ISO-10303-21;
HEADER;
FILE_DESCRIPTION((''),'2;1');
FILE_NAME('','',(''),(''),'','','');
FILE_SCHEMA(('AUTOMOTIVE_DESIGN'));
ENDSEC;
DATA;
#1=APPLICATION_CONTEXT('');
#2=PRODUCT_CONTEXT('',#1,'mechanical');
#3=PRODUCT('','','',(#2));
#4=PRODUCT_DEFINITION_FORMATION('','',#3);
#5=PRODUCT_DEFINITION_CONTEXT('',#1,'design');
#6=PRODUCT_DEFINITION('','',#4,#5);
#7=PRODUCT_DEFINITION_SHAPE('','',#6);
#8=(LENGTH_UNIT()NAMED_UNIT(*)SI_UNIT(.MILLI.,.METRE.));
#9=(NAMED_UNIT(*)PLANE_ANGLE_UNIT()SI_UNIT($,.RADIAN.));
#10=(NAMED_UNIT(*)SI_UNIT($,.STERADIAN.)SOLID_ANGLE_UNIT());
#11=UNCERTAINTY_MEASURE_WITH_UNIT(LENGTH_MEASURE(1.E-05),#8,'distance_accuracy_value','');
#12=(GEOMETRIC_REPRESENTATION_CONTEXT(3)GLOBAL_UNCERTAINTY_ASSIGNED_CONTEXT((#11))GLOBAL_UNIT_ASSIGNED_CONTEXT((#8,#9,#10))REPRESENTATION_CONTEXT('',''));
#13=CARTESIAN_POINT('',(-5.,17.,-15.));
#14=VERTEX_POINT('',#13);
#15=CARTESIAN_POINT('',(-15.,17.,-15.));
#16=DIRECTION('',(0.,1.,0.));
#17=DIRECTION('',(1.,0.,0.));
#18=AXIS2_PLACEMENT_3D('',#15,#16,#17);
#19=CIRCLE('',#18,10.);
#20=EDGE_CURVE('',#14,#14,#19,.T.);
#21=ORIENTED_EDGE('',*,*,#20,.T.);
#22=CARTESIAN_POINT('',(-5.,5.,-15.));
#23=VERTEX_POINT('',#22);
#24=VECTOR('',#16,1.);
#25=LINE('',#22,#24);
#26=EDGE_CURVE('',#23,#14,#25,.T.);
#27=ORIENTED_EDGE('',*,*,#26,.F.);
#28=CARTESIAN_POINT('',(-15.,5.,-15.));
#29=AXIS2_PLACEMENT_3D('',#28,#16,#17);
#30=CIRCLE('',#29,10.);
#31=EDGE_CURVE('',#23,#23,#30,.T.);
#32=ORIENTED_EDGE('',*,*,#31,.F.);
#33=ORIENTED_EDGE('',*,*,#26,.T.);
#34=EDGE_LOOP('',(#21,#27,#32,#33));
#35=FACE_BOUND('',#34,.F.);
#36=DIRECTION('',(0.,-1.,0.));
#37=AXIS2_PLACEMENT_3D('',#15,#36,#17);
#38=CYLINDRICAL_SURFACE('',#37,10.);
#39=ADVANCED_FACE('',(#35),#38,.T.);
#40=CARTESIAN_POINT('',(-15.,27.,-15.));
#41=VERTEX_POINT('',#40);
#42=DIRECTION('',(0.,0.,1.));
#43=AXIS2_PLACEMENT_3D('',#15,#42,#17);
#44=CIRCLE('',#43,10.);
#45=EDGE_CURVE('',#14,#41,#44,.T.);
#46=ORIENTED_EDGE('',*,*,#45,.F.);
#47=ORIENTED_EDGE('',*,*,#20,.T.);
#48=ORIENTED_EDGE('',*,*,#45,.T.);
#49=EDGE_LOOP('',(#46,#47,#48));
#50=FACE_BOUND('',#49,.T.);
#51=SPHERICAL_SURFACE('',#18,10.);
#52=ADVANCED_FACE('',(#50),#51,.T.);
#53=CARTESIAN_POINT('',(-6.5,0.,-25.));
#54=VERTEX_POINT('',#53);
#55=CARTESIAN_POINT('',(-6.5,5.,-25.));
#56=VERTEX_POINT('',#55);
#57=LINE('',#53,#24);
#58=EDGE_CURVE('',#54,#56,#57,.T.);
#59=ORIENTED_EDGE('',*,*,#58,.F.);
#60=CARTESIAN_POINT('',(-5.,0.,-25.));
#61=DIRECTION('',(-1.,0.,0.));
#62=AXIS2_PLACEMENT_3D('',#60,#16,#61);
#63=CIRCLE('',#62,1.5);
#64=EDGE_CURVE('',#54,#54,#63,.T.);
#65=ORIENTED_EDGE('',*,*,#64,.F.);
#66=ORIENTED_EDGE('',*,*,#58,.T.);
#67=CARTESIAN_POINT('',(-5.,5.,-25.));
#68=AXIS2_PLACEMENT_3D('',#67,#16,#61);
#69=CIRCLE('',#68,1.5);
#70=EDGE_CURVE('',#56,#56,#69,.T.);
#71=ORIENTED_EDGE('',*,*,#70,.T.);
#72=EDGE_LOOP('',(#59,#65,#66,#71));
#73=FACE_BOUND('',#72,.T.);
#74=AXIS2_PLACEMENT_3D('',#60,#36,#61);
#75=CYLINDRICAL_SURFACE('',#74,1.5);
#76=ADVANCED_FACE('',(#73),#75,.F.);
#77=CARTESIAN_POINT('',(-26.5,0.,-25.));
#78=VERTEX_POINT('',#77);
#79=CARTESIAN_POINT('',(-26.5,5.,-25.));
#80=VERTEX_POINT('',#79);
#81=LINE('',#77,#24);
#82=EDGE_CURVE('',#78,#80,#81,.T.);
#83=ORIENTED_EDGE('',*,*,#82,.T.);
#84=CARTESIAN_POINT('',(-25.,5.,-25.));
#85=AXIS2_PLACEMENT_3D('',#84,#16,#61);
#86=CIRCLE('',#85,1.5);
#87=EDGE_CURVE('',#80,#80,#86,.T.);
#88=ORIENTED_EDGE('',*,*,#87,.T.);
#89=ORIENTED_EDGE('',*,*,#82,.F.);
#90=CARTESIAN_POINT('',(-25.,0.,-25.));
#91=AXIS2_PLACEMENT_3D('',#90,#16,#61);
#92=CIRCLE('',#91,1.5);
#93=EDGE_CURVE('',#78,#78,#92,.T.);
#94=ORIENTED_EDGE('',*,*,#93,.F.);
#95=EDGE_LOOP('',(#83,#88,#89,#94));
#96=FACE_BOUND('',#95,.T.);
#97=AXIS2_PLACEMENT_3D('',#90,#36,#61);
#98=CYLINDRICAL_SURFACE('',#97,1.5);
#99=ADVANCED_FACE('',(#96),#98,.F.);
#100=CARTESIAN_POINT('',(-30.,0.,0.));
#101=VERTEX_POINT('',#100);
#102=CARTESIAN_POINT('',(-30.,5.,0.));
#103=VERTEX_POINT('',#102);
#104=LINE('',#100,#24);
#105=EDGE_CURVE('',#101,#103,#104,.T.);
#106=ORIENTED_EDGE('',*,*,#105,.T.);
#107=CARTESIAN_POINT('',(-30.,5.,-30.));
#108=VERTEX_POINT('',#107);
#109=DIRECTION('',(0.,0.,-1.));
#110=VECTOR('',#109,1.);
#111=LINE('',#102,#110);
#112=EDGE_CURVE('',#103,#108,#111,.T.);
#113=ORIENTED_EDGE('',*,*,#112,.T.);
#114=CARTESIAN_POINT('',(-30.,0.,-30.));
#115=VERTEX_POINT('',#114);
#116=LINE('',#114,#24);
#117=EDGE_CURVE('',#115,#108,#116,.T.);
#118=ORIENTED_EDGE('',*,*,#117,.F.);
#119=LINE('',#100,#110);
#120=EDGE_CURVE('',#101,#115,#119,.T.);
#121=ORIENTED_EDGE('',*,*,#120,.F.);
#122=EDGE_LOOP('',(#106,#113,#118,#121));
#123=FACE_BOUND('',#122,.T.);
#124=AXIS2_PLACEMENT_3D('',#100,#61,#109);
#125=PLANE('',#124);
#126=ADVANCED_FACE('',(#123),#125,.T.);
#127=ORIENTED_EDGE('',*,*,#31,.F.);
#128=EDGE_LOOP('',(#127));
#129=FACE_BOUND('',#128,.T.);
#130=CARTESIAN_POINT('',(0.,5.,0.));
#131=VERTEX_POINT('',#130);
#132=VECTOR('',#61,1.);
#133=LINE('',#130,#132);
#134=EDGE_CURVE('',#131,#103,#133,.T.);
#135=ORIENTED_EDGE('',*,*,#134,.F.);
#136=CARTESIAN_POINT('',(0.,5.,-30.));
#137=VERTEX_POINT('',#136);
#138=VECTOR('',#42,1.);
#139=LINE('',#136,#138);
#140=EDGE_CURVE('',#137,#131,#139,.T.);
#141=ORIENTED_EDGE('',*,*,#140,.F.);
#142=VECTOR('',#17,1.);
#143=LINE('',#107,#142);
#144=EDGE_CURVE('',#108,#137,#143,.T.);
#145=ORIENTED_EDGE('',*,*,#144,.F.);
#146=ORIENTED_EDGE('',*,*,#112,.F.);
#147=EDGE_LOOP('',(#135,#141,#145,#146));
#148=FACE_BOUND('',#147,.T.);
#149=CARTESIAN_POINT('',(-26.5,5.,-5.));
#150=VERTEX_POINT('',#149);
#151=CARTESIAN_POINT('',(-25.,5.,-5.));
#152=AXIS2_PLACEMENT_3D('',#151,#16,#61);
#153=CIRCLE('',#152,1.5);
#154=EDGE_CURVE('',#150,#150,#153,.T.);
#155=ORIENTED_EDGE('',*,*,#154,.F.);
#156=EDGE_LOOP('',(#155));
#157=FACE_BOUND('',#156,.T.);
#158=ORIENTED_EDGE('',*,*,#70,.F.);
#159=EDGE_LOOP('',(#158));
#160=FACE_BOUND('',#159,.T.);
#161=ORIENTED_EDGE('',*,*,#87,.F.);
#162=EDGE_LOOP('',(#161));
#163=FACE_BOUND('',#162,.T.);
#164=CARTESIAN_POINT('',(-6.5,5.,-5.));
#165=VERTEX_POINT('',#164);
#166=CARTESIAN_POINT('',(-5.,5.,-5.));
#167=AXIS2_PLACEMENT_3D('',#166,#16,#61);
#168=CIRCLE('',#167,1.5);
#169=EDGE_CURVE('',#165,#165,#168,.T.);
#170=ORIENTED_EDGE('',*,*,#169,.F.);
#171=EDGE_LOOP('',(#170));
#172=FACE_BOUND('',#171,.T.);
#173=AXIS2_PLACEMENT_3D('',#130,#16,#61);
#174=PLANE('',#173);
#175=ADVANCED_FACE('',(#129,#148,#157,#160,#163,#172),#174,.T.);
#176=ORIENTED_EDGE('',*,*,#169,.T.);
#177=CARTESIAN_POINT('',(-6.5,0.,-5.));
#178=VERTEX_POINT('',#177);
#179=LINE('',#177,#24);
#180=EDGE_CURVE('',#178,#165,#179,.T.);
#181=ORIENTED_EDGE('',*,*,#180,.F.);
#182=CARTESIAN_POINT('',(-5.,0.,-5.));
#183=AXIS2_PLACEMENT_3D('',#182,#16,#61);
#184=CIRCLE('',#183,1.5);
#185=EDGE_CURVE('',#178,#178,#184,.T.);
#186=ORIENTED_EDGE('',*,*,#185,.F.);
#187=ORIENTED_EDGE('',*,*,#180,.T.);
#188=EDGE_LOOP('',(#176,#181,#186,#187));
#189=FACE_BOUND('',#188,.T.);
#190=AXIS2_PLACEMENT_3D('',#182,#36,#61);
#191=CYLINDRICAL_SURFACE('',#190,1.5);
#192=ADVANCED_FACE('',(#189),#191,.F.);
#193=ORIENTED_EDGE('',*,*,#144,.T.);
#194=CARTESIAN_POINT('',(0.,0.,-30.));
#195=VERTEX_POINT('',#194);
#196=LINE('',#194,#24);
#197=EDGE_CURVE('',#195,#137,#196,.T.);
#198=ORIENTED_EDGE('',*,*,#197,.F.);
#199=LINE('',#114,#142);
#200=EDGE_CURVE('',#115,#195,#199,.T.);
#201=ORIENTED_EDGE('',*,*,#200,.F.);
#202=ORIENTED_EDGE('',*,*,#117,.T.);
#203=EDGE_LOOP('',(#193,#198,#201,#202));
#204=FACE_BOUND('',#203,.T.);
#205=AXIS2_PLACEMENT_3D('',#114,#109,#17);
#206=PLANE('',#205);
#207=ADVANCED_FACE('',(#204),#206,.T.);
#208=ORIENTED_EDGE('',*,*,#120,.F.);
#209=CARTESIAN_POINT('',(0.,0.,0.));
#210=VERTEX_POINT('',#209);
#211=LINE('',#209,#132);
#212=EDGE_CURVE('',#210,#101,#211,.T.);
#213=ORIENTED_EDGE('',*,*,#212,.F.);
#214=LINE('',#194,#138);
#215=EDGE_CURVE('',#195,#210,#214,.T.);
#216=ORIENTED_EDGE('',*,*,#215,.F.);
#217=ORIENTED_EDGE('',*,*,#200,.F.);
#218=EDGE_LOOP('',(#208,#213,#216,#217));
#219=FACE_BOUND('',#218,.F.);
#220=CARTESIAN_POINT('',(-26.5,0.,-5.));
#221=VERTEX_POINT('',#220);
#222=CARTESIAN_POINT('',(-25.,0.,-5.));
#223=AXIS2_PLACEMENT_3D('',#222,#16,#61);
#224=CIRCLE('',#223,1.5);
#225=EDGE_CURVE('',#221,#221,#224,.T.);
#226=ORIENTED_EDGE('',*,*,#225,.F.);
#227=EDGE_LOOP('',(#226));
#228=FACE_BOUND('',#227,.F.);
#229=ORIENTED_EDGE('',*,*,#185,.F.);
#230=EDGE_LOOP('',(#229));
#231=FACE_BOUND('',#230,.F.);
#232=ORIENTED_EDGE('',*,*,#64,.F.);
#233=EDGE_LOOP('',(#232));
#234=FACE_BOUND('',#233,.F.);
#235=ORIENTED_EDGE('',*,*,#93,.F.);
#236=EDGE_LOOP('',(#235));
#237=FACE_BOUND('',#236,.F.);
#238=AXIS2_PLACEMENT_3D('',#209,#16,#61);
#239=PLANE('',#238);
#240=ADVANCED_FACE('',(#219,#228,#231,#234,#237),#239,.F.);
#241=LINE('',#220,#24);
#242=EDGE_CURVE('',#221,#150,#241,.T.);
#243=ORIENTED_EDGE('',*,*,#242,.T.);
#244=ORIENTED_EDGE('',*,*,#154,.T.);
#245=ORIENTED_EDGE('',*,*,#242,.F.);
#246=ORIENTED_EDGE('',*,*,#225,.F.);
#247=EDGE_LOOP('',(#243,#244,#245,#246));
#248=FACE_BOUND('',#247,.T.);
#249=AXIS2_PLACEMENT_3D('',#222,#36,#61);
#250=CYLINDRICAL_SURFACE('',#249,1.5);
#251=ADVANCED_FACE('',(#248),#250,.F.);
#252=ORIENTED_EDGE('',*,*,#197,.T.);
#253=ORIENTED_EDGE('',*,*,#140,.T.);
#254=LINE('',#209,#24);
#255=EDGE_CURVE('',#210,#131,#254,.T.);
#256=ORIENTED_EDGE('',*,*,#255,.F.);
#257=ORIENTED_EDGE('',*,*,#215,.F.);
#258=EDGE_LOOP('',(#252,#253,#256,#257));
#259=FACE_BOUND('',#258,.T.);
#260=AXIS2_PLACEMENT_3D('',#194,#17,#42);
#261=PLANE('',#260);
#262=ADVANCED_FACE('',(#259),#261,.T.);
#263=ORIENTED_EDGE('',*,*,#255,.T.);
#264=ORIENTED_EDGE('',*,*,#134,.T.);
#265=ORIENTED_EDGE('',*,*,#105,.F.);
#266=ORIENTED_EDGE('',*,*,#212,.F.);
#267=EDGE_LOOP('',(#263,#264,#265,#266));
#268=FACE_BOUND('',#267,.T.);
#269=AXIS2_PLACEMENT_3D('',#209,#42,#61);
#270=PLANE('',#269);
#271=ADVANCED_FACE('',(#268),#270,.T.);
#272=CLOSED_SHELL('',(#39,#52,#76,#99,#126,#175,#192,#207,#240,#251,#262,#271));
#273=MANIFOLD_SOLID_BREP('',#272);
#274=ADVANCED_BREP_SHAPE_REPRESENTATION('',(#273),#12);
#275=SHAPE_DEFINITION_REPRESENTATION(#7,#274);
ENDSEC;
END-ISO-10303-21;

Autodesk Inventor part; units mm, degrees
ref_plane "YZ Plane" through (0, 0, 0) normal (1, 0, 0) x (0, 1, 0)
ref_plane "XZ Plane" through (0, 0, 0) normal (0, 1, 0) x (-1, 0, 0)
ref_plane "XY Plane" through (0, 0, 0) normal (0, 0, 1) x (1, 0, 0)
sketch "スケッチ1" plane through (0, 0, 0) normal (0, 1, 0) x (-1, 0, 0)
  line L0 (0, 0) -> (30, 0)
  line L1 (30, 0) -> (30, -30)
  line L2 (30, -30) -> (0, -30)
  line L3 (0, -30) -> (0, 0)
  circle A0 centre (25, -5) radius 1.5
  circle A1 centre (25, -25) radius 1.5
  circle A2 centre (5, -5) radius 1.5
  circle A3 centre (5, -25) radius 1.5
  dimension "d18" = 30
  dimension "d19" = 30
  dimension "d20" = 3
  dimension "d21" = 3
  dimension "d22" = 20
  dimension "d23" = 5
  dimension "d24" = 5
  dimension "d25" = 3
  dimension "d26" = 3
  dimension "d27" = 20
extrude "押し出し1" add sketch "スケッチ1" along normal blind 5
sketch "スケッチ2" plane through (0, 5, 0) normal (0, 1, 0) x (1, 0, 0)
  circle A0 centre (-15, 15) radius 10
  line L0 (0, 30) -> (-30, 30) projected
  line L1 (-30, 30) -> (-30, 0) projected
  point P0 (0, 0)
  dimension "d32" = 20
  dimension "d33" = 15
  dimension "d34" = 15
extrude "押し出し2" add sketch "スケッチ2" along normal blind 12
sketch "スケッチ9" plane through (-15, 17, -15) normal (0, 1, 0) x (1, 0, 0)
  circle A0 centre (0, 0) radius 10 projected
  circle A1 centre (0, 0) radius 10 projected
  point P0 (15, -15)
extrude "押し出し4" add sketch "スケッチ9" along normal blind 10
fillet "フィレット1" radius 10 1 edges at (-25, 27, -15)
properties part number "ballcaster" material "ポリプロピレン"
